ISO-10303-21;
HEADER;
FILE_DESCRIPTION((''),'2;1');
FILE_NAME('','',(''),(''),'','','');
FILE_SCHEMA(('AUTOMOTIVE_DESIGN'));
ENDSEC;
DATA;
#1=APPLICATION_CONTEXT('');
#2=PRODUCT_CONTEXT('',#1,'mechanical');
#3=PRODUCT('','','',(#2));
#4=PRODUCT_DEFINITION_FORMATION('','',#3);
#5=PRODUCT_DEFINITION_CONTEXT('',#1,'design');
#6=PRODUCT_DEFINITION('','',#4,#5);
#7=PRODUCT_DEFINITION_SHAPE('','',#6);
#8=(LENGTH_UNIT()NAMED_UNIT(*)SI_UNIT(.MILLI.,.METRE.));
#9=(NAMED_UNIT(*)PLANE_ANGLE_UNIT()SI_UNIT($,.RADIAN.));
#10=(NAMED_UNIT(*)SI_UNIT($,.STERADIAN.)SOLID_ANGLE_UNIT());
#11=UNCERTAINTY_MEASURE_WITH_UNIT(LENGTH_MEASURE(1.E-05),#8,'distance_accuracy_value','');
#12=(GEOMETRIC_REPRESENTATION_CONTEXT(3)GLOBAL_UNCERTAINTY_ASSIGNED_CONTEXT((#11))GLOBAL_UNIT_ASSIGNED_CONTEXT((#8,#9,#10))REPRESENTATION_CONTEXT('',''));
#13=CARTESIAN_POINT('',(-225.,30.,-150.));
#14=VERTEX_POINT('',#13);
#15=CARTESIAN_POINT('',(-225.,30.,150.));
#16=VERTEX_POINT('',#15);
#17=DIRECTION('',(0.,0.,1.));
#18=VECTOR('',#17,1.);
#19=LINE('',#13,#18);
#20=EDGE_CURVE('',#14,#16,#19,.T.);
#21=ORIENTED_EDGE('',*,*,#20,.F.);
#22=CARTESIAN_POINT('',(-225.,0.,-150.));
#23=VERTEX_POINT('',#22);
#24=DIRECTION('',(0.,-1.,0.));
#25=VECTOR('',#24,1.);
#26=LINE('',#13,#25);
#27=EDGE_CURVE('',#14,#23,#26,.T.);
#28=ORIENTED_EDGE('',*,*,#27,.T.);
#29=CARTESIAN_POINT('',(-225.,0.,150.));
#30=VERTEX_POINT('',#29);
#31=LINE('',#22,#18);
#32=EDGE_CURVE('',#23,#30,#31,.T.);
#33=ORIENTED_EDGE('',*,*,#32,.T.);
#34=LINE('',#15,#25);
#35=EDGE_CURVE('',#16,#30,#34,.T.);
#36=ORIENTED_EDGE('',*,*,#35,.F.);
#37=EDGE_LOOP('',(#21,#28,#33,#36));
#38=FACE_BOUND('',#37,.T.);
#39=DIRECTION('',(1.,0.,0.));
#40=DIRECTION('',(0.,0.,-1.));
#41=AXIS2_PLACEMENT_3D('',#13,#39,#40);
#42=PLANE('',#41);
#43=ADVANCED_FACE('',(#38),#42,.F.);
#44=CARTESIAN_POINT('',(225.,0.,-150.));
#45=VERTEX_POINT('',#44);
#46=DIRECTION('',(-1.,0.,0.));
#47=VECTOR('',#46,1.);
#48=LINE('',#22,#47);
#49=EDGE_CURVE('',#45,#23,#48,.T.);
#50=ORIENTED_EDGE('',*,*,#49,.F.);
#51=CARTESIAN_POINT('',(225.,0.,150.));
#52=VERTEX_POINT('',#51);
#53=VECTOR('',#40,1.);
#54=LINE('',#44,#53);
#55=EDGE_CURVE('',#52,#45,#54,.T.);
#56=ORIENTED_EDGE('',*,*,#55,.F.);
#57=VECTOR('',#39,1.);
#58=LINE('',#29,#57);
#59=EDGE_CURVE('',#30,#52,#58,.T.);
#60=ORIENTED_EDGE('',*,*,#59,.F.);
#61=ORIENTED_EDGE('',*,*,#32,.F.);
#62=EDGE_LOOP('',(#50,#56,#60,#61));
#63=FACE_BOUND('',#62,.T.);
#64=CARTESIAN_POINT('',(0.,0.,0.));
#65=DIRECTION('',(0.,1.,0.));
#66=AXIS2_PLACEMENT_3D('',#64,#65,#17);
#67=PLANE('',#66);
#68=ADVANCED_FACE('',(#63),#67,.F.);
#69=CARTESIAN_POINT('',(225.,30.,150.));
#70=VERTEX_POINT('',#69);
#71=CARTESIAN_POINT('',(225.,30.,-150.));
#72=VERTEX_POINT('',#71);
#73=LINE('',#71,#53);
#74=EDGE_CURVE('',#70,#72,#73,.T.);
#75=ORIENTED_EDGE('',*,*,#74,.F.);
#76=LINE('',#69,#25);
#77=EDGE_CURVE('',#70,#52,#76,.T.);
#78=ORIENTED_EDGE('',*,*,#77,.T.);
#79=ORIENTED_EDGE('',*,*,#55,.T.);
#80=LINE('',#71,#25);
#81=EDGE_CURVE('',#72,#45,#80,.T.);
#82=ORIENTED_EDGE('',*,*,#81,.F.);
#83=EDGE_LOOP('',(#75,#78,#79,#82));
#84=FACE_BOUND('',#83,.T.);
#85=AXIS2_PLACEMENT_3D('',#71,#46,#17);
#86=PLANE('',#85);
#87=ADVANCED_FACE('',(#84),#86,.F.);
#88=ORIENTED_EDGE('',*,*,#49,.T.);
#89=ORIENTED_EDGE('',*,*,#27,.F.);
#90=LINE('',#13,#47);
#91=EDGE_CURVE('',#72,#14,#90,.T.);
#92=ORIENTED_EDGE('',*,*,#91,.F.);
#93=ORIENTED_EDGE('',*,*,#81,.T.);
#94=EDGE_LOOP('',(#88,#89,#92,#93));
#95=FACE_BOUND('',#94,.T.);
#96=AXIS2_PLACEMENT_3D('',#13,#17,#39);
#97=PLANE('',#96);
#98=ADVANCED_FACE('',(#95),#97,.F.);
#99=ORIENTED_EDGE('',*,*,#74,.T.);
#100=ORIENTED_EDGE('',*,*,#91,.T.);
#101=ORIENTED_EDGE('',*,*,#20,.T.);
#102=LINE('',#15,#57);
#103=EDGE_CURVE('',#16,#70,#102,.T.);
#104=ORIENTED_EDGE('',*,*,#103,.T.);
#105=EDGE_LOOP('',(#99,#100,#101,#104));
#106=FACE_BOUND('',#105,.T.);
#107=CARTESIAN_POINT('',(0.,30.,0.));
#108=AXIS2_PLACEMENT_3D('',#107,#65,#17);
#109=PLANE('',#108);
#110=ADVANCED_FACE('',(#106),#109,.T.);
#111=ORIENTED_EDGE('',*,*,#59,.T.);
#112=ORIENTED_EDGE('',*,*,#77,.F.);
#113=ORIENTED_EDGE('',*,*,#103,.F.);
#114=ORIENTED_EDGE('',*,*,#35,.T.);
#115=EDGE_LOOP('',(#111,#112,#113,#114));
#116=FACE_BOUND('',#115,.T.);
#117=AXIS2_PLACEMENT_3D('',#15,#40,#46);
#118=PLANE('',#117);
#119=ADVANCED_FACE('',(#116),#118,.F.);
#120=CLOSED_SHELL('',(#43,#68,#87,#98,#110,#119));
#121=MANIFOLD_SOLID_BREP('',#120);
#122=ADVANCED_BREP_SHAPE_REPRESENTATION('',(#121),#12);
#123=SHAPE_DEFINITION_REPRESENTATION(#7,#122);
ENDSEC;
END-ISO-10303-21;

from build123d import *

# Parameters (mm, degrees)
ESBO_O1_W                = 450
ESBO_O1_H                = 300
RESSALTO_EXTRUS_O1_DEPTH = 30


with BuildPart() as part:
    # Esboço1 → Ressalto-extrusão1 (new body)
    with BuildSketch(Plane(origin=(0, 0, 0), x_dir=(1, 0, 0), z_dir=(0, 1, 0))):
        Rectangle(ESBO_O1_W, ESBO_O1_H)
    extrude(amount=RESSALTO_EXTRUS_O1_DEPTH)


solid = part.part
